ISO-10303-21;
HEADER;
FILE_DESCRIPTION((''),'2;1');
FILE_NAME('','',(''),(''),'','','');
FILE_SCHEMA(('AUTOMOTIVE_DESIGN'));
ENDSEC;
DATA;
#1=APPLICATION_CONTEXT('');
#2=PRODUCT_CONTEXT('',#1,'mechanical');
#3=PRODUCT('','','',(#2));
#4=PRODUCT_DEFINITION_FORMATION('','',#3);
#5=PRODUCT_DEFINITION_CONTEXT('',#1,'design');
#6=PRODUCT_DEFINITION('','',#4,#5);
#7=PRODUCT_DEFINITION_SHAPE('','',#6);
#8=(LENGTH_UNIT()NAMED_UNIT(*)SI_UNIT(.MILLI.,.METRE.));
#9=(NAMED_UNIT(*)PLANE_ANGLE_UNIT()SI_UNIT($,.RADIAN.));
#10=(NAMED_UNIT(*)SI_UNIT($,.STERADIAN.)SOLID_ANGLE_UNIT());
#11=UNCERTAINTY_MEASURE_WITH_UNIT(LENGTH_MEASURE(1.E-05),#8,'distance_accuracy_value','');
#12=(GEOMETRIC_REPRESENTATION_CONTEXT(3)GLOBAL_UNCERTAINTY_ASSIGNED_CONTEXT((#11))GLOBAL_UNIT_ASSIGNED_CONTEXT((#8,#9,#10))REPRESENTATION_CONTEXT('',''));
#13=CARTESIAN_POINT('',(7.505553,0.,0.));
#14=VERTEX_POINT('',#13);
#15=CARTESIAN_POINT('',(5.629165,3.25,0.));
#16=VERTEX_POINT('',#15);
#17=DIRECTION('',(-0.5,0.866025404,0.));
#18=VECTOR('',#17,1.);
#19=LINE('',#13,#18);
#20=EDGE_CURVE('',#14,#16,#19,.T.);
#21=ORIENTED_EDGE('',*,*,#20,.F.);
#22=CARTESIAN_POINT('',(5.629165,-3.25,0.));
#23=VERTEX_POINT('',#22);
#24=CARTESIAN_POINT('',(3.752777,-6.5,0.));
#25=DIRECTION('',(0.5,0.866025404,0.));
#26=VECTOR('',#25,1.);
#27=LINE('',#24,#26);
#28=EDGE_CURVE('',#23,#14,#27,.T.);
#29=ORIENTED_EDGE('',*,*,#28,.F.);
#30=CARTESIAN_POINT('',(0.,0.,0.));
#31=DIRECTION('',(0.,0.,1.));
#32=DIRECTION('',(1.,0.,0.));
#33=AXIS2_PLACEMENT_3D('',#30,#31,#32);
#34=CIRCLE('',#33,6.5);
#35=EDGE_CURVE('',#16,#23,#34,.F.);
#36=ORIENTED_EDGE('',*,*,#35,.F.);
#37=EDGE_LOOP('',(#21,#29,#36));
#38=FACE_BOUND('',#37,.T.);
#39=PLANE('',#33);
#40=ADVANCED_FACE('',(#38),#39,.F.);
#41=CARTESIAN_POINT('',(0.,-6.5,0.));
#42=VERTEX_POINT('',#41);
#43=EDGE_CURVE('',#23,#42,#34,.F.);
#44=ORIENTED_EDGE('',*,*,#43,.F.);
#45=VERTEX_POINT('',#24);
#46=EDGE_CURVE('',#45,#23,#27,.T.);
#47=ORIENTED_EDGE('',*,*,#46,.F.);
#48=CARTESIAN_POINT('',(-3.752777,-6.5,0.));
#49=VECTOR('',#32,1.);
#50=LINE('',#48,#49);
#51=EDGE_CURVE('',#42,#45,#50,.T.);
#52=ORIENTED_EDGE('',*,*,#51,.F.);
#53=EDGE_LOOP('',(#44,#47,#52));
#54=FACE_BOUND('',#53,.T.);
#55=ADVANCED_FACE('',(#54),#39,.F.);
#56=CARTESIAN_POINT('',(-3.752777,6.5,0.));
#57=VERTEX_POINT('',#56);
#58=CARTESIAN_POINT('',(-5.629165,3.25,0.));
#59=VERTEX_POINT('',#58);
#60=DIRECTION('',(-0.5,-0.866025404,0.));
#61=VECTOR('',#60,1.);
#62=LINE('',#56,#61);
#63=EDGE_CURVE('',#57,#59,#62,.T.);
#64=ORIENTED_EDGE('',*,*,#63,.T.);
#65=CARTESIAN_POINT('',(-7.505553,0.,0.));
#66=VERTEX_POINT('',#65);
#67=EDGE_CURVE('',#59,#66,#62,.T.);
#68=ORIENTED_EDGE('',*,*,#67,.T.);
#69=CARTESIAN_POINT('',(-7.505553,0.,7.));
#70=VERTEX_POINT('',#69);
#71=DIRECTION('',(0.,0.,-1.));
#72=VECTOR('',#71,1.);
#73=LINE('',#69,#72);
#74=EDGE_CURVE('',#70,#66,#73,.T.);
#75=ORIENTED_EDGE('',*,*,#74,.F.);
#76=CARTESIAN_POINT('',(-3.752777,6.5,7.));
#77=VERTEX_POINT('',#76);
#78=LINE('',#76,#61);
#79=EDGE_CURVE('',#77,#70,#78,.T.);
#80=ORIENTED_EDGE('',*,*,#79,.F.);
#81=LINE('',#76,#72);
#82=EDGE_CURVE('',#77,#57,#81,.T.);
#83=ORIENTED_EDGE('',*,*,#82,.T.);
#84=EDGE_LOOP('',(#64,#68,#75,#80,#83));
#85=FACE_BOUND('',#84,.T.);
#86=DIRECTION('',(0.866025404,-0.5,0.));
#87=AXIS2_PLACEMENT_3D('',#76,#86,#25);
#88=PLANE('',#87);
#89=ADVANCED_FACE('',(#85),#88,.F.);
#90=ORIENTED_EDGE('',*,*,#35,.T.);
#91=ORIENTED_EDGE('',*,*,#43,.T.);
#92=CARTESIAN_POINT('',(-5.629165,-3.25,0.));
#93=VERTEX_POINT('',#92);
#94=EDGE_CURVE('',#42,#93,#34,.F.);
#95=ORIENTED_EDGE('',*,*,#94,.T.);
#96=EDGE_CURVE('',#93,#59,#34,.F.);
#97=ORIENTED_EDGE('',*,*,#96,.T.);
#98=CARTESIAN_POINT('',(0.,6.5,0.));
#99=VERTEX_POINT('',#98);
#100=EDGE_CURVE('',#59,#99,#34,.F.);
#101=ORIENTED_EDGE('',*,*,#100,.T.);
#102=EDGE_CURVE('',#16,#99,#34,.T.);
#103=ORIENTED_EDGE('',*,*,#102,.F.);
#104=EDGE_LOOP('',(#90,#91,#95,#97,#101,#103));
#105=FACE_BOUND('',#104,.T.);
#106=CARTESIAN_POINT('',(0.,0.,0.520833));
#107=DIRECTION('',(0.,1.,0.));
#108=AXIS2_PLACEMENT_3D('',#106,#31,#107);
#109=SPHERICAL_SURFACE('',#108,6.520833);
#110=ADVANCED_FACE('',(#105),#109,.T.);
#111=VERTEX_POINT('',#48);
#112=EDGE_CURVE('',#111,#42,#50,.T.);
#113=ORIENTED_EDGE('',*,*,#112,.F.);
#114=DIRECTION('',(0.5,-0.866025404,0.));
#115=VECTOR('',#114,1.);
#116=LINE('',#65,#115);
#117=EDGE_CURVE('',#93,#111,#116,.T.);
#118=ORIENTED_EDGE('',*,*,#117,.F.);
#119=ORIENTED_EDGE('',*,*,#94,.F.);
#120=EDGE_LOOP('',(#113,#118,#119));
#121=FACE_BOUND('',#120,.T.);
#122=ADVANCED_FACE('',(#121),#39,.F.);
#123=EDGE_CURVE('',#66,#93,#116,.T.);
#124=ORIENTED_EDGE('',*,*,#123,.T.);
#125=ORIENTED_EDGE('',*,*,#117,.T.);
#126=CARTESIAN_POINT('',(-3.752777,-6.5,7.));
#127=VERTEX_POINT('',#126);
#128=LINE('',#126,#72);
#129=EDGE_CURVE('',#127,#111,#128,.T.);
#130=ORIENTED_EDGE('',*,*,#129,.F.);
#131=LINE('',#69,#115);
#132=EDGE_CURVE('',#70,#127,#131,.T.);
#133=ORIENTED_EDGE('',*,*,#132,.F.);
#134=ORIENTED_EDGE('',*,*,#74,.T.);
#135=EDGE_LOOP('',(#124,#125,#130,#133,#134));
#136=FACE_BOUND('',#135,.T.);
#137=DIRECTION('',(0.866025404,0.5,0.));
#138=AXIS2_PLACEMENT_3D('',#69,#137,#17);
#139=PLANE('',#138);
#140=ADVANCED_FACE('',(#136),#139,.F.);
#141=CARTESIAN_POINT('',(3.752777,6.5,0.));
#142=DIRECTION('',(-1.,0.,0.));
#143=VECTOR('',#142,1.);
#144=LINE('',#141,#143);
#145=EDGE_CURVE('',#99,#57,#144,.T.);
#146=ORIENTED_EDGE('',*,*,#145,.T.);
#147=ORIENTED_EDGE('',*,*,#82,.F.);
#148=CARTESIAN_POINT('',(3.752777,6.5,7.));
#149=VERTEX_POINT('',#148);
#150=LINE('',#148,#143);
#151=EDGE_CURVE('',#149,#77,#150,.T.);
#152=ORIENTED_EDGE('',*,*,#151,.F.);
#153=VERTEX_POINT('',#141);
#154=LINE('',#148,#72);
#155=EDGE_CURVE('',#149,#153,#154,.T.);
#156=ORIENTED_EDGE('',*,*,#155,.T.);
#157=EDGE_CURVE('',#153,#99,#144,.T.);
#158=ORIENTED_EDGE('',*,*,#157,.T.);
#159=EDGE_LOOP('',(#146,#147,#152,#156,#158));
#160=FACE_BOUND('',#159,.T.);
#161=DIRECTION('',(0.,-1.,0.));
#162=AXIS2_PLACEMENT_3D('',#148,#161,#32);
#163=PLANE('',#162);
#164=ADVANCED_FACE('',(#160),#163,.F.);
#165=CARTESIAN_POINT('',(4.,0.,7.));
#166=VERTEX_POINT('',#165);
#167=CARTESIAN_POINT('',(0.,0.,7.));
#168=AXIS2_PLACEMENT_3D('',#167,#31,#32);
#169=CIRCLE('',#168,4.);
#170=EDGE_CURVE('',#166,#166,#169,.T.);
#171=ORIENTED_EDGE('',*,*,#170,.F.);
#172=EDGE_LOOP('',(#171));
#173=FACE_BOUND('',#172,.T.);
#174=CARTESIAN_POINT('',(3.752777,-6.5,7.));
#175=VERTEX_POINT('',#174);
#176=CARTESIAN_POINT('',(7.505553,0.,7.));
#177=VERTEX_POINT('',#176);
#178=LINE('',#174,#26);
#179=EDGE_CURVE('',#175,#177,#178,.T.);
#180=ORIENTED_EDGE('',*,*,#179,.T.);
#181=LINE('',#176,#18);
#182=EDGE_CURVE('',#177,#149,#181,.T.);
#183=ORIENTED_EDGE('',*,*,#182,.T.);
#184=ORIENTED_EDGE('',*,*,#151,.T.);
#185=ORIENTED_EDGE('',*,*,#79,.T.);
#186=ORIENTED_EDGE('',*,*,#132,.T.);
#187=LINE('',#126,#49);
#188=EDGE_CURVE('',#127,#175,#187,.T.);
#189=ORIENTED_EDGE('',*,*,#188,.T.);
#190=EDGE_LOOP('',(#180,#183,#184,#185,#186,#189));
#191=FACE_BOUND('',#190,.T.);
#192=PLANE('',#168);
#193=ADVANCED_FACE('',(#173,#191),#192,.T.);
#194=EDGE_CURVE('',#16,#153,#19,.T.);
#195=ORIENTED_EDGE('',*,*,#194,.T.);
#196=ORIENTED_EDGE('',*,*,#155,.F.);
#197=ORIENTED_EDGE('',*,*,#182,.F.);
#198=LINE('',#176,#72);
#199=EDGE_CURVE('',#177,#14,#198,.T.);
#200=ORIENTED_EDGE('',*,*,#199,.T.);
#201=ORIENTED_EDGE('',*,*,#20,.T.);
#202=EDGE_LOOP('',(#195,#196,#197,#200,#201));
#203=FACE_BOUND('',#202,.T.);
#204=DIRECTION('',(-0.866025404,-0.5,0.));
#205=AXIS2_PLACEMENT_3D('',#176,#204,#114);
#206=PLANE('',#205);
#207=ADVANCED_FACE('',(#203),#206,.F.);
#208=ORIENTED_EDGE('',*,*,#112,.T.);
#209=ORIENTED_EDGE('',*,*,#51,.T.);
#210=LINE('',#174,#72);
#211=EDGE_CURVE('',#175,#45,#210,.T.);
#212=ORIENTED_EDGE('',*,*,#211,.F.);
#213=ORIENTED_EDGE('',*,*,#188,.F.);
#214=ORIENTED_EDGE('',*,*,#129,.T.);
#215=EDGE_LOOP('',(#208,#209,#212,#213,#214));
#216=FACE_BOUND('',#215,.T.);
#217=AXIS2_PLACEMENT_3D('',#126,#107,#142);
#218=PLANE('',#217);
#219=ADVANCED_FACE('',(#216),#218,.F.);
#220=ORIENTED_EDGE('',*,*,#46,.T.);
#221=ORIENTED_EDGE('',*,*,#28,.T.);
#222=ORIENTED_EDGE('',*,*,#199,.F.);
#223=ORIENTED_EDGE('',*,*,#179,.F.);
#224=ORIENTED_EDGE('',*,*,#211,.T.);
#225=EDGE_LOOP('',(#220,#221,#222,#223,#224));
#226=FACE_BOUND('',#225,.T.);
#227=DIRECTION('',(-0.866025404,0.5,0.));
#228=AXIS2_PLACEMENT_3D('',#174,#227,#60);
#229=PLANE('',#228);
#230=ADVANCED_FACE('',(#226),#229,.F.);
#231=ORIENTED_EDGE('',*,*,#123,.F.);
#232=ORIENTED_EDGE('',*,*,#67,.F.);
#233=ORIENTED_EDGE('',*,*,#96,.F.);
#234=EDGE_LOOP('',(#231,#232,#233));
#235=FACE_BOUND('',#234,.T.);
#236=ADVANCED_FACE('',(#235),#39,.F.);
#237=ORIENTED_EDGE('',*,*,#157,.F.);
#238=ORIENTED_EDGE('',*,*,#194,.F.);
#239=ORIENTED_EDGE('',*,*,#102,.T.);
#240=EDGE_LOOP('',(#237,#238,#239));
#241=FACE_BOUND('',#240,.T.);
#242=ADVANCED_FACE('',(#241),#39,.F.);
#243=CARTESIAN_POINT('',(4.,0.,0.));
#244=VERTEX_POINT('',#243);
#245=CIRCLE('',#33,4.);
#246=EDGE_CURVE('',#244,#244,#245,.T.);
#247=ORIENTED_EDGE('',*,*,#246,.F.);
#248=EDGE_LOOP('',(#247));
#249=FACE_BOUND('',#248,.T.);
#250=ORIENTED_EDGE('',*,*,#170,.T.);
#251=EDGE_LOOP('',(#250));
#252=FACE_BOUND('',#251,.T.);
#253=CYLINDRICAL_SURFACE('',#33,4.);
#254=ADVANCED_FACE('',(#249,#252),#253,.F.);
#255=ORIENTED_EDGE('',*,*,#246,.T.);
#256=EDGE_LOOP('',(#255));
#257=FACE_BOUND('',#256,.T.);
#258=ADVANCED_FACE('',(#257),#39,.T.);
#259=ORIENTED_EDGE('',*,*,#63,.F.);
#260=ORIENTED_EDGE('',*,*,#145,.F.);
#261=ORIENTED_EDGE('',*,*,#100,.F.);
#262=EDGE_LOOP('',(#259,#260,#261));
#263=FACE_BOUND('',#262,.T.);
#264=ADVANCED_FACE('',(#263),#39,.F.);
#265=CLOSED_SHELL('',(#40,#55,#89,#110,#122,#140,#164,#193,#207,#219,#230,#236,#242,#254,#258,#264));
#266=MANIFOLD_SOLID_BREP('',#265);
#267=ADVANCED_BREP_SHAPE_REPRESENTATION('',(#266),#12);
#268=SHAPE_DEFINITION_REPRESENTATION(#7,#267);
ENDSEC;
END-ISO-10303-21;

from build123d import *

# Parameters (mm, degrees)
SALIENTE_EXTRUIR1_DEPTH = 7
CROQUIS3_R              = 4
CORTAR_EXTRUIR1_DEPTH   = 7


with BuildPart() as part:
    # Croquis1 → Saliente-Extruir1 (new body)
    with BuildSketch(Plane.XY):
        Polygon((7.505553499, 0), (3.75277675, 6.5), (-3.75277675, 6.5), (-7.505553499, 0), (-3.75277675, -6.5), (3.75277675, -6.5), align=None)
    extrude(amount=SALIENTE_EXTRUIR1_DEPTH)

    # Croquis2 → Revolución1 (revolve)
    with BuildSketch(Plane(origin=(0, 0, 0), x_dir=(0, 0, -1), z_dir=(1, 0, 0))):
        with BuildLine():
            Line((0, 0), (6, 0))
            ThreePointArc((6, 0), (4.270697462, -4.422951503), (0, -6.5))
            Line((0, -6.5), (0, 0))
        make_face()
    revolve(axis=Axis((0, 0, 0), (0, 0, -1)))

    # Croquis3 → Cortar-Extruir1 (cut)
    with BuildSketch(Plane.XY.offset(7)):
        Circle(CROQUIS3_R)
    extrude(amount=-CORTAR_EXTRUIR1_DEPTH, mode=Mode.SUBTRACT)


solid = part.part
